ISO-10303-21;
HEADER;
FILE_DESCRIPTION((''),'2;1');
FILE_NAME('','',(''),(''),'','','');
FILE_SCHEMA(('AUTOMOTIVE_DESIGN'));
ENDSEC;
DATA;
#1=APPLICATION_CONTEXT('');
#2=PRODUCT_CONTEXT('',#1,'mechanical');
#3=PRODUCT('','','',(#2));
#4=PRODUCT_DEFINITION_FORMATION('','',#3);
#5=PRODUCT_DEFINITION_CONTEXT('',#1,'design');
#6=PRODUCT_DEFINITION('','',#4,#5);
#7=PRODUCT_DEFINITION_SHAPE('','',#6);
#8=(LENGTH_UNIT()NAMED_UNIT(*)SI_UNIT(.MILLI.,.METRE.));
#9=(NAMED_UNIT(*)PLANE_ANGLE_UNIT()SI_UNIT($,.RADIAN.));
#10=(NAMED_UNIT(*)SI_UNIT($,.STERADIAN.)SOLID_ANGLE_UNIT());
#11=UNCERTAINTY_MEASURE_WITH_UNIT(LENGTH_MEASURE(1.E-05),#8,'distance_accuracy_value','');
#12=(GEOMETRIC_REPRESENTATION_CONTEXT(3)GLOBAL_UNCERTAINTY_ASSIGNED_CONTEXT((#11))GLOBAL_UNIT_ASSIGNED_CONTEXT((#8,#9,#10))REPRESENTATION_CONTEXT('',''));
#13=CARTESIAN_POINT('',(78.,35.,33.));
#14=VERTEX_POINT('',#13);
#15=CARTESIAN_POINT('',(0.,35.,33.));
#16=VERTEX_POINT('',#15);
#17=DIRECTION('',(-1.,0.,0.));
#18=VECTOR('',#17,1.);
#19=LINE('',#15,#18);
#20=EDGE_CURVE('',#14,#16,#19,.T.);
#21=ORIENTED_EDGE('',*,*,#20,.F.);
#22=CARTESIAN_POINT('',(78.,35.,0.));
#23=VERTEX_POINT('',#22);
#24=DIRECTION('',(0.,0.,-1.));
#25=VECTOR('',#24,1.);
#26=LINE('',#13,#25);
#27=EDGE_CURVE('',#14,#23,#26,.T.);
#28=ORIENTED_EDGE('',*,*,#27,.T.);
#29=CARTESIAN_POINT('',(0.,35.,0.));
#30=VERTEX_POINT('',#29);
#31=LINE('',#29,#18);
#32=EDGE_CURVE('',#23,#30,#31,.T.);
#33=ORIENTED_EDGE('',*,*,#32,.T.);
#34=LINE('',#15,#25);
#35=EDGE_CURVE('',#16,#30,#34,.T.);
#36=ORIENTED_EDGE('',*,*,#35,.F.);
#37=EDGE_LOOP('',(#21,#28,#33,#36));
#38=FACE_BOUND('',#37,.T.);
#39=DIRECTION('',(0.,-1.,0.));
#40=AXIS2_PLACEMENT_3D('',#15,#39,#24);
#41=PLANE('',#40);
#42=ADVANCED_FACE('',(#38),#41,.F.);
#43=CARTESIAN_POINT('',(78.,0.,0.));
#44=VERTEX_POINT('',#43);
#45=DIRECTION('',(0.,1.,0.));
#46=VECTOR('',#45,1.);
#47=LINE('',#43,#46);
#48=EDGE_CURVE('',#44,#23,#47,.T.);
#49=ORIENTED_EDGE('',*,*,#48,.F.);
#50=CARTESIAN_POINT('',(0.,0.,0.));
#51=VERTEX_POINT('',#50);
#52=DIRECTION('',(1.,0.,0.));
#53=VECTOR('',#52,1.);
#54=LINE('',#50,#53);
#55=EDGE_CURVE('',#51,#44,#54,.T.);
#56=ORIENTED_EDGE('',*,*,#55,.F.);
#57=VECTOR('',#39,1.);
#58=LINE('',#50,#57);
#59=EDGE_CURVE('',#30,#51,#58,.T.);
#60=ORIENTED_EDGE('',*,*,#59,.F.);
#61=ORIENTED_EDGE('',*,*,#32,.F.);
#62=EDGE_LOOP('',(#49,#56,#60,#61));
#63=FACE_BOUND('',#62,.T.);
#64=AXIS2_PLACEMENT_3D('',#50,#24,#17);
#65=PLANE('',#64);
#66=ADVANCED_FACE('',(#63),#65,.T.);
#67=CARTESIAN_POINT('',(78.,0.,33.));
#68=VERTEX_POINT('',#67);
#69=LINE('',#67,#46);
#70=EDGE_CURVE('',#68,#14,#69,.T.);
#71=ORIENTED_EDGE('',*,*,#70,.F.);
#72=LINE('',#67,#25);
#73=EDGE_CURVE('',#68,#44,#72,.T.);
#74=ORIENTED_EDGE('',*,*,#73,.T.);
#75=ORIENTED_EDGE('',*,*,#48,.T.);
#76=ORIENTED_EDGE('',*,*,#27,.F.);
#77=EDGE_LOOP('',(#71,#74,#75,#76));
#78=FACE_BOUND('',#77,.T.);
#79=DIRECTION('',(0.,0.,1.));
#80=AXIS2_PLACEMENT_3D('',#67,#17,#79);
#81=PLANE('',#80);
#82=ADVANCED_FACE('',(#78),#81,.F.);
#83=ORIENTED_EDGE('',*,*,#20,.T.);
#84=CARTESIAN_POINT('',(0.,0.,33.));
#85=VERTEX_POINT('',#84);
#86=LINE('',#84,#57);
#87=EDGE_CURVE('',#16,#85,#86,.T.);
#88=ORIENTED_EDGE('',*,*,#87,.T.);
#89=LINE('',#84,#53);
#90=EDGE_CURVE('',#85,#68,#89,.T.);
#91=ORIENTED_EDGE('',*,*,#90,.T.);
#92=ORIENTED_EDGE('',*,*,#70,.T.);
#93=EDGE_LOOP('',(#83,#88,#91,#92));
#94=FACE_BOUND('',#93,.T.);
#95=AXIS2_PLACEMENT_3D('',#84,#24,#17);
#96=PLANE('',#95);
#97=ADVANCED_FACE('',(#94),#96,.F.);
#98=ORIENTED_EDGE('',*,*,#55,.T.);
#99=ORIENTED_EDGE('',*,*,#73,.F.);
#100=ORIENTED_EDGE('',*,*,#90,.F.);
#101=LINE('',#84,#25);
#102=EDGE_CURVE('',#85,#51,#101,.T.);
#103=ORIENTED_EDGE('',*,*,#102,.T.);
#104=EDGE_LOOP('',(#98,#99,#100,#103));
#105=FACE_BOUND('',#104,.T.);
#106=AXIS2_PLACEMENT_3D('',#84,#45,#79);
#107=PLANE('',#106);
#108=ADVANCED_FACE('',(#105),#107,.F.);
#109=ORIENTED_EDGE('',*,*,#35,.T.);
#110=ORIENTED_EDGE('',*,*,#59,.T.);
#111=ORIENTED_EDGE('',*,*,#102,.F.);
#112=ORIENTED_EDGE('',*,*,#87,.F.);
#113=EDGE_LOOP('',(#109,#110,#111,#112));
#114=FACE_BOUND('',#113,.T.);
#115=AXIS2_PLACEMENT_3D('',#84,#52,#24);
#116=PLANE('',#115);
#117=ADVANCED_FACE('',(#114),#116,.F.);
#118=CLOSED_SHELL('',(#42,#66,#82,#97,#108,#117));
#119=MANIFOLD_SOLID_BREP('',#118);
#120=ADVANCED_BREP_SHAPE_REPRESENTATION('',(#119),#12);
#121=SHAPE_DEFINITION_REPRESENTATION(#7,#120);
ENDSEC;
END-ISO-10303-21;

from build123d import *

# Parameters (mm, degrees)
ESQUISSE1_W        = 78
ESQUISSE1_H        = 35
BOSS_EXTRU_1_DEPTH = 33


with BuildPart() as part:
    # Esquisse1 → Boss.-Extru.1 (new body)
    with BuildSketch(Plane.XY):
        with Locations((39, 17.5)):
            Rectangle(ESQUISSE1_W, ESQUISSE1_H)
    extrude(amount=BOSS_EXTRU_1_DEPTH)


solid = part.part
